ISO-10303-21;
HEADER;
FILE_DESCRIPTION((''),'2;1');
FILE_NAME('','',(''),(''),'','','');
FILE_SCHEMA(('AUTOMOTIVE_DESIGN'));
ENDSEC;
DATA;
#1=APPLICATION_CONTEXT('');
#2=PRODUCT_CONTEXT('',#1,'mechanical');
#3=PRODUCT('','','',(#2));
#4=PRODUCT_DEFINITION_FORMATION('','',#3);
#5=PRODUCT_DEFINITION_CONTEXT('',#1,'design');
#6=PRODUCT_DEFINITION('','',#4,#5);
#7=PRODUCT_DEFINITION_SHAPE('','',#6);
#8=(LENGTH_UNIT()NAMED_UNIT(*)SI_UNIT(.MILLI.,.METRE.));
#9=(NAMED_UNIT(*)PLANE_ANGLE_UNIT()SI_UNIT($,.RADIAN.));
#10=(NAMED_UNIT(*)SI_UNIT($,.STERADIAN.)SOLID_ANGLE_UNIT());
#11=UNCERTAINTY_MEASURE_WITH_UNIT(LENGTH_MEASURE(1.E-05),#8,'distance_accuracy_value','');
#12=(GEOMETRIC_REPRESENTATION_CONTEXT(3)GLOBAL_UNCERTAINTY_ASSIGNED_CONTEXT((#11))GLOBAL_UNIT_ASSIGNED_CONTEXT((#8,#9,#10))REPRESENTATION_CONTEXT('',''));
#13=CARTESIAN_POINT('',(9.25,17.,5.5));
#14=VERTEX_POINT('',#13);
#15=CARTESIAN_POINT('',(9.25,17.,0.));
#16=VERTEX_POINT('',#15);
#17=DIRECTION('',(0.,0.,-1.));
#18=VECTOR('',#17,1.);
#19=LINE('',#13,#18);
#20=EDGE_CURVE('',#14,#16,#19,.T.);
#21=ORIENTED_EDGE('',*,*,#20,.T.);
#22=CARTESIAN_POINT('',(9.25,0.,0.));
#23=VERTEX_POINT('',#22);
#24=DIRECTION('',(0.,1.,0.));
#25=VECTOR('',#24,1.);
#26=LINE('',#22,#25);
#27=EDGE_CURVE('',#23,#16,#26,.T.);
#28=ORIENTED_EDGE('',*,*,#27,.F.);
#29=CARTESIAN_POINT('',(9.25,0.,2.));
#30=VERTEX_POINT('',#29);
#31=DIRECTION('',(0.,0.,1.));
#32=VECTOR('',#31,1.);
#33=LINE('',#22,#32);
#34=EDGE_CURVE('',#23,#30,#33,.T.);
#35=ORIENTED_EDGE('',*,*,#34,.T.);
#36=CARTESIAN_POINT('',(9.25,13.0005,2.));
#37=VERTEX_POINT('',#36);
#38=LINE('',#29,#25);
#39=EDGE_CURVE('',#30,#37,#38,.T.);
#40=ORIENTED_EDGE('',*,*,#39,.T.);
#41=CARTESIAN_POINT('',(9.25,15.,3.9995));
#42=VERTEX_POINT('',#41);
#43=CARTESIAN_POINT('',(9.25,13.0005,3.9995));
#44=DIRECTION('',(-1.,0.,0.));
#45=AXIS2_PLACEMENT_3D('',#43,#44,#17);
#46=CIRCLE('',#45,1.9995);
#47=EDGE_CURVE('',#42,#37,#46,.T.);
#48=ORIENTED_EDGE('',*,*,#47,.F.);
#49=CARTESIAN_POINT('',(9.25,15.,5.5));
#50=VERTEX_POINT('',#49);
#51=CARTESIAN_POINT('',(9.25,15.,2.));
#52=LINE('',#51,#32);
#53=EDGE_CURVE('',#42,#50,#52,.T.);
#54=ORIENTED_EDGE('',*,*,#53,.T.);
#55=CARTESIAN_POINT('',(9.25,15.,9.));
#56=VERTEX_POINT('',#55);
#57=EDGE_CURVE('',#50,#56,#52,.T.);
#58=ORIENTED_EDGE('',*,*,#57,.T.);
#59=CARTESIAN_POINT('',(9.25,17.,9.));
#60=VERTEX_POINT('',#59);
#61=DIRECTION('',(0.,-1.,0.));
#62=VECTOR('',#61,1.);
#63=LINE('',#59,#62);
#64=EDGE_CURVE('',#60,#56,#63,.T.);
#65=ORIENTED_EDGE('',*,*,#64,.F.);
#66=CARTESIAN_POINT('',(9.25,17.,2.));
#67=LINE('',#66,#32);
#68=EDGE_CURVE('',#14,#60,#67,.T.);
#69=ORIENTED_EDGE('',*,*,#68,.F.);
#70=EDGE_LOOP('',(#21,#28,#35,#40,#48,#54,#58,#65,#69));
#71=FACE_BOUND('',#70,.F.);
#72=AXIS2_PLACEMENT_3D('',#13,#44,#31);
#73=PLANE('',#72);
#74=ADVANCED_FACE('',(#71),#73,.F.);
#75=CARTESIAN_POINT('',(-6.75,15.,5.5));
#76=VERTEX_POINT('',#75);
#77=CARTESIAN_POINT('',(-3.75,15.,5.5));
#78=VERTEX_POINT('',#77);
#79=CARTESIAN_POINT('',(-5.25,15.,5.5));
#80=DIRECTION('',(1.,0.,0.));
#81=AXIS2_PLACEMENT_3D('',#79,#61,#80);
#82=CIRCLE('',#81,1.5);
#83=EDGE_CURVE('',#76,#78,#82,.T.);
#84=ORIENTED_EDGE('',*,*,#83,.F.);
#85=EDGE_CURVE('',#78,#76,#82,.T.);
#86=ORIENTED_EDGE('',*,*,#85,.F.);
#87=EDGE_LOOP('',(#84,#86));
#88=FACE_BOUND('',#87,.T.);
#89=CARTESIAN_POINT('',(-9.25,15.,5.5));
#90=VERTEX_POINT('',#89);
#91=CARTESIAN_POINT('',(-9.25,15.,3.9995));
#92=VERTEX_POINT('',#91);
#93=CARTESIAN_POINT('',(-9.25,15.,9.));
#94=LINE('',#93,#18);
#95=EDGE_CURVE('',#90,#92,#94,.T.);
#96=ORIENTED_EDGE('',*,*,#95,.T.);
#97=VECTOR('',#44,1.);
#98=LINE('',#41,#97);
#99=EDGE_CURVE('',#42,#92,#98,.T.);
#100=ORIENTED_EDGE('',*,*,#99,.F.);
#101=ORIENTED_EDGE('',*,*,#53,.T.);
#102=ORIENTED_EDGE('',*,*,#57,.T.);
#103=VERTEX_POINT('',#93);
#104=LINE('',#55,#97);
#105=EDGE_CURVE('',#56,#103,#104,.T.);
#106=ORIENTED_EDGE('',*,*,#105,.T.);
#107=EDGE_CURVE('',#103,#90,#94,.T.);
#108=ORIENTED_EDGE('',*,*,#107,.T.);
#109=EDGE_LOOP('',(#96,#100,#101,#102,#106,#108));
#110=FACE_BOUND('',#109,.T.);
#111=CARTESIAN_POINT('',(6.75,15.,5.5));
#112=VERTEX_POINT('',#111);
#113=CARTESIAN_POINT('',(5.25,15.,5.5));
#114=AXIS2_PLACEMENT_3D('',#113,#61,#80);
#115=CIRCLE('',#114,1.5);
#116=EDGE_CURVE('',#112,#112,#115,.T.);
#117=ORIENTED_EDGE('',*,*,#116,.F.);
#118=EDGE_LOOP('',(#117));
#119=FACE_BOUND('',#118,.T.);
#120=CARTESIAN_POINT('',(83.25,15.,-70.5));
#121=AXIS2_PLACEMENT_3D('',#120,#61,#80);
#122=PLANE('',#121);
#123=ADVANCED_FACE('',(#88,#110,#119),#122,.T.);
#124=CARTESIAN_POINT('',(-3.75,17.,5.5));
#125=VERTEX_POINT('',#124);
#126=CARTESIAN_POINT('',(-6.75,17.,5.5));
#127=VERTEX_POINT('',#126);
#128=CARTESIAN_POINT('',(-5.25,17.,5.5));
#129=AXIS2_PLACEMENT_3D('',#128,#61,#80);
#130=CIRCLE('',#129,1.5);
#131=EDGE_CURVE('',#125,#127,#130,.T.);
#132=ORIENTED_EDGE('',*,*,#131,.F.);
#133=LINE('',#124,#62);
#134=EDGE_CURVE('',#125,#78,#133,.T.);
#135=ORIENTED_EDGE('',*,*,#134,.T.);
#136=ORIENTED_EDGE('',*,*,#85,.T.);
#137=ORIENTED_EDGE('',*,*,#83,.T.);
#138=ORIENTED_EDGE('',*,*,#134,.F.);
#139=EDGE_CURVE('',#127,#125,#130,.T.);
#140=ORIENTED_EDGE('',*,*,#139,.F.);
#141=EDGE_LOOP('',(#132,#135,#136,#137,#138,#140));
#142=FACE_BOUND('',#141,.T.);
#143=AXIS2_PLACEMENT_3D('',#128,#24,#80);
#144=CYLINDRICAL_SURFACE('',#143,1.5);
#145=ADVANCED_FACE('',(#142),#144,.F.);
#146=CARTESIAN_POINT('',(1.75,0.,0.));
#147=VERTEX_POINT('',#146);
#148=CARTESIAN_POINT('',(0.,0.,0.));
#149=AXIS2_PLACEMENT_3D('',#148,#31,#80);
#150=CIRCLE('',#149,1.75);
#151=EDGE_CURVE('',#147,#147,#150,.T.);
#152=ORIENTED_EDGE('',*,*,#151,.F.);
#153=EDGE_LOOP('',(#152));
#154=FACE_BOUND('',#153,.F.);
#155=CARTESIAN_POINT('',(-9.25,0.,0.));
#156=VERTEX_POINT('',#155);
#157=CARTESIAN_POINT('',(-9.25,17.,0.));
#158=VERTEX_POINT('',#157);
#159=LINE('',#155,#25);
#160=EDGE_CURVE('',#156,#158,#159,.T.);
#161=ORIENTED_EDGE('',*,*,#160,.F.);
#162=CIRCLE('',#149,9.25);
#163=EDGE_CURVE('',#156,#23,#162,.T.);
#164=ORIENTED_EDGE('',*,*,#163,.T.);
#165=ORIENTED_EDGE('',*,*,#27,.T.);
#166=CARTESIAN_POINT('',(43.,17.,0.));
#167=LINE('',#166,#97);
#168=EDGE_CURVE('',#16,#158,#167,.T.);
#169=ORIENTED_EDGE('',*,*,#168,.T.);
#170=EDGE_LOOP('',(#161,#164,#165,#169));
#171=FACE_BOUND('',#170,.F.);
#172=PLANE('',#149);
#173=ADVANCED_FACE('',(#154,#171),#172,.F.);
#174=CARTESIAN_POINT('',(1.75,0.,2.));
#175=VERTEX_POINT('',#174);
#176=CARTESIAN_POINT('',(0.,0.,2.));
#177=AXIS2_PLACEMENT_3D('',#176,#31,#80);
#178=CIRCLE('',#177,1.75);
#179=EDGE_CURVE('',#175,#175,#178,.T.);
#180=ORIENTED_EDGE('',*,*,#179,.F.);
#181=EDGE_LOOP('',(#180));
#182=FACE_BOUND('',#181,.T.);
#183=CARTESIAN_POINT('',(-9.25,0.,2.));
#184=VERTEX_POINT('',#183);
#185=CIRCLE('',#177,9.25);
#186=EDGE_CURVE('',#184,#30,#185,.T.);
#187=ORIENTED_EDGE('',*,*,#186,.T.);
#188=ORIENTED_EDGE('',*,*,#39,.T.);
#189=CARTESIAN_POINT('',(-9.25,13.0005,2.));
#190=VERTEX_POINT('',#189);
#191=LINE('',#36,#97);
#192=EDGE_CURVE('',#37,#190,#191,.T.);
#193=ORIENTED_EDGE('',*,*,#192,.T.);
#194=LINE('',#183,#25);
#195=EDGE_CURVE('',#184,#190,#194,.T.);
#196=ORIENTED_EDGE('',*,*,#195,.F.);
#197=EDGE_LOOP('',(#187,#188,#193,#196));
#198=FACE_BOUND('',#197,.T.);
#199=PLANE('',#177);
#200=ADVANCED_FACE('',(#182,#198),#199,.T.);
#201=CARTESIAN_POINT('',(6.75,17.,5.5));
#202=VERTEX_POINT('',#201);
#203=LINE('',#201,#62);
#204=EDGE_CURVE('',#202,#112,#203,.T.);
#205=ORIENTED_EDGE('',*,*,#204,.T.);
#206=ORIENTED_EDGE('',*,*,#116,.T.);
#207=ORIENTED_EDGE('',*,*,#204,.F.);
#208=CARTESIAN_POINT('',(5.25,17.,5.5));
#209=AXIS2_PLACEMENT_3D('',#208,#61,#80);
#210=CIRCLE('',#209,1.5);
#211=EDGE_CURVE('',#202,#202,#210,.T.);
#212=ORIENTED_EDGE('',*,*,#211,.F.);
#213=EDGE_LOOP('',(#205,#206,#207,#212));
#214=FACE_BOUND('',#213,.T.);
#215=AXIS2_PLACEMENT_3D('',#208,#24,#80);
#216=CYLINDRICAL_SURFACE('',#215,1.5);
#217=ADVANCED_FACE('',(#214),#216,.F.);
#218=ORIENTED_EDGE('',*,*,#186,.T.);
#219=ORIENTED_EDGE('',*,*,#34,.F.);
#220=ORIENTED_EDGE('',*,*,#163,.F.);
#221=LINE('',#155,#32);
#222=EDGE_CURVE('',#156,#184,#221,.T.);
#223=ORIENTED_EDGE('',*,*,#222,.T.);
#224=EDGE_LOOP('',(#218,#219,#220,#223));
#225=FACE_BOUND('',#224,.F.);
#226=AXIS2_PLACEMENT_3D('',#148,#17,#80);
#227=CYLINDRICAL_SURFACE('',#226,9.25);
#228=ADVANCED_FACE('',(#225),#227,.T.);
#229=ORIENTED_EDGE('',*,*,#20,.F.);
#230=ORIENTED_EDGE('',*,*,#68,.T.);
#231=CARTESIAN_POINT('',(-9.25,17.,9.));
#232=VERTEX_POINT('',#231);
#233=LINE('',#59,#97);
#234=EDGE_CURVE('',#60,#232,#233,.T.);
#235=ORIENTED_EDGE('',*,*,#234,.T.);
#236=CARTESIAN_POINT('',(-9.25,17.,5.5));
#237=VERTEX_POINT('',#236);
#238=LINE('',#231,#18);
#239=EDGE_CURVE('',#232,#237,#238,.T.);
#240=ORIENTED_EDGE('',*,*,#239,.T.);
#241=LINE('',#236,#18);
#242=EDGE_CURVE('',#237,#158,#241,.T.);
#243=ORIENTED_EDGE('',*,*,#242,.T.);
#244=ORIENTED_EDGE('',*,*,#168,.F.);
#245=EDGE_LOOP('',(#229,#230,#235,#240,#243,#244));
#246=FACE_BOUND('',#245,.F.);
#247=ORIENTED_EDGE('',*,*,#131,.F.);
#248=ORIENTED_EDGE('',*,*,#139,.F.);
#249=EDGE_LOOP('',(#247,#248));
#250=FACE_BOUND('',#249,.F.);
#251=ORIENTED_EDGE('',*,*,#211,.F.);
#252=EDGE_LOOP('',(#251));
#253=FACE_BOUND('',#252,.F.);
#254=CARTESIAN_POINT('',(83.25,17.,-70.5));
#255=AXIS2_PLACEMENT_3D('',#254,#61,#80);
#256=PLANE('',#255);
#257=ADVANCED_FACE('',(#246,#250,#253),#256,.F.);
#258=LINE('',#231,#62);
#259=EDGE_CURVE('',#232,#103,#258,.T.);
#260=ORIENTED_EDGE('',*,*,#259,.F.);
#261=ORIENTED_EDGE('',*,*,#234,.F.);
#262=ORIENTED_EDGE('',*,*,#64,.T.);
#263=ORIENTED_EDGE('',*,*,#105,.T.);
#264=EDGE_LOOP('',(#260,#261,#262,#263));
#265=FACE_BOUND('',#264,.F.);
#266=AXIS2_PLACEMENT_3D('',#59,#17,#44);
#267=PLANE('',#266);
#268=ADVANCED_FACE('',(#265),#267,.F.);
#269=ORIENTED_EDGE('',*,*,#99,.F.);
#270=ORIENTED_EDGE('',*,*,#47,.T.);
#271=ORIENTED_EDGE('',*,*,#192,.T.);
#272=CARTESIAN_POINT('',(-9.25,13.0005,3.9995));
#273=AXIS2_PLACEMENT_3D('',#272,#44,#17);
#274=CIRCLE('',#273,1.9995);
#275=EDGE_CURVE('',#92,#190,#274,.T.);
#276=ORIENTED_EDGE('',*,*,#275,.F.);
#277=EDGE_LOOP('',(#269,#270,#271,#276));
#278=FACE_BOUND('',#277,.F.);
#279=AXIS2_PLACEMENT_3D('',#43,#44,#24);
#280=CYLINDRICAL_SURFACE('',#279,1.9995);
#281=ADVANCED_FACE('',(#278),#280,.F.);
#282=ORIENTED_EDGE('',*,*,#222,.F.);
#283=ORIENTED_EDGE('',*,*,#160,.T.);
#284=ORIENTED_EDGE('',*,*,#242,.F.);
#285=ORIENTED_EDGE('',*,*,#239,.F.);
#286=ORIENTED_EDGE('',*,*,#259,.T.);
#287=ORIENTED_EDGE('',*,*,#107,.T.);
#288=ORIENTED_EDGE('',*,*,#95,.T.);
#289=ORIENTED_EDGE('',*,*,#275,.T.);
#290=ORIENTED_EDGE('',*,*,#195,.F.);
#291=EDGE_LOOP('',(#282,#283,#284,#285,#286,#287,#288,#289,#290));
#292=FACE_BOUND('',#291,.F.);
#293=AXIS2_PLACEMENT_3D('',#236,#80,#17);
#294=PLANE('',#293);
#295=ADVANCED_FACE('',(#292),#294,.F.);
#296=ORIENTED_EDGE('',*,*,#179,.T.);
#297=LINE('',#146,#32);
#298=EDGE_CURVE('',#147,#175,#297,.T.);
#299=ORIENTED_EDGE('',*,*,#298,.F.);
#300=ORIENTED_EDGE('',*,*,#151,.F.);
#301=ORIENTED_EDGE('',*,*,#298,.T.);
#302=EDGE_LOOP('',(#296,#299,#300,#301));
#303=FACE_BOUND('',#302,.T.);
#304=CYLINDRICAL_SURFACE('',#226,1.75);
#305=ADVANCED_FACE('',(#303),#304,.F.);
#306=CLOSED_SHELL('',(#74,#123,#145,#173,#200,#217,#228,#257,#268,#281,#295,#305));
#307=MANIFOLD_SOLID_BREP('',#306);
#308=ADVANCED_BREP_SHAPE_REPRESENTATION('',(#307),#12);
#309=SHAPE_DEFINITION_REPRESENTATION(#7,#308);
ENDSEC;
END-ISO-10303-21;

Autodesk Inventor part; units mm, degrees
ref_plane "YZ Plane" through (0, 0, 0) normal (1, 0, 0) x (0, 1, 0)
ref_plane "XZ Plane" through (0, 0, 0) normal (0, 1, 0) x (-1, 0, 0)
ref_plane "XY Plane" through (0, 0, 0) normal (0, 0, 1) x (1, 0, 0)
sketch "Boceto1" plane through (0, 0, 0) normal (0, 0, 1) x (1, 0, 0)
  circle A0 centre (0, 0) radius 1.75
  circle A1 centre (0, 0) radius 9.25
  line L0 (43, 17) -> (-96.75, 17) projected
  line L1 (-9.25, 0) -> (-9.25, 17)
  line L2 (9.25, 0) -> (9.25, 17)
  dimension "d0" = 3.5
  dimension "d1" = 18.5
extrude "Extrusión1" add sketch "Boceto1" along normal blind 2
ref_plane "Plano de trabajo1" through (83.25, 17, -70.5) normal (0, -1, 0) x (1, 0, 0)
sketch "Boceto3" plane through (83.25, 17, -70.5) normal (0, -1, 0) x (1, 0, 0)
  line L0 (-74, 72.5) -> (-92.5, 72.5) projected
  line L1 (-92.5, 72.5) -> (-74, 72.5)
  line L2 (-74, 72.5) -> (-74, 79.5)
  line L3 (-74, 79.5) -> (-92.5, 79.5)
  line L4 (-92.5, 79.5) -> (-92.5, 72.5)
  line L5 (-74, 76) -> (-78, 76)
  circle A0 centre (-78, 76) radius 1.5
  line L6 (-92.5, 76) -> (-88.5, 76)
  circle A1 centre (-88.5, 76) radius 1.5
  point P0 (-83.25, 70.5)
  dimension "d4" = 7
  dimension "d5" = 4
  dimension "d6" = 3
  dimension "d7" = 4
  dimension "d8" = 3
extrude "Extrusión2" add sketch "Boceto3" along normal blind 2
fillet "Empalme1" radius 2 1 edges at (0, 15, 2)
properties part number "Soporte Motor"
